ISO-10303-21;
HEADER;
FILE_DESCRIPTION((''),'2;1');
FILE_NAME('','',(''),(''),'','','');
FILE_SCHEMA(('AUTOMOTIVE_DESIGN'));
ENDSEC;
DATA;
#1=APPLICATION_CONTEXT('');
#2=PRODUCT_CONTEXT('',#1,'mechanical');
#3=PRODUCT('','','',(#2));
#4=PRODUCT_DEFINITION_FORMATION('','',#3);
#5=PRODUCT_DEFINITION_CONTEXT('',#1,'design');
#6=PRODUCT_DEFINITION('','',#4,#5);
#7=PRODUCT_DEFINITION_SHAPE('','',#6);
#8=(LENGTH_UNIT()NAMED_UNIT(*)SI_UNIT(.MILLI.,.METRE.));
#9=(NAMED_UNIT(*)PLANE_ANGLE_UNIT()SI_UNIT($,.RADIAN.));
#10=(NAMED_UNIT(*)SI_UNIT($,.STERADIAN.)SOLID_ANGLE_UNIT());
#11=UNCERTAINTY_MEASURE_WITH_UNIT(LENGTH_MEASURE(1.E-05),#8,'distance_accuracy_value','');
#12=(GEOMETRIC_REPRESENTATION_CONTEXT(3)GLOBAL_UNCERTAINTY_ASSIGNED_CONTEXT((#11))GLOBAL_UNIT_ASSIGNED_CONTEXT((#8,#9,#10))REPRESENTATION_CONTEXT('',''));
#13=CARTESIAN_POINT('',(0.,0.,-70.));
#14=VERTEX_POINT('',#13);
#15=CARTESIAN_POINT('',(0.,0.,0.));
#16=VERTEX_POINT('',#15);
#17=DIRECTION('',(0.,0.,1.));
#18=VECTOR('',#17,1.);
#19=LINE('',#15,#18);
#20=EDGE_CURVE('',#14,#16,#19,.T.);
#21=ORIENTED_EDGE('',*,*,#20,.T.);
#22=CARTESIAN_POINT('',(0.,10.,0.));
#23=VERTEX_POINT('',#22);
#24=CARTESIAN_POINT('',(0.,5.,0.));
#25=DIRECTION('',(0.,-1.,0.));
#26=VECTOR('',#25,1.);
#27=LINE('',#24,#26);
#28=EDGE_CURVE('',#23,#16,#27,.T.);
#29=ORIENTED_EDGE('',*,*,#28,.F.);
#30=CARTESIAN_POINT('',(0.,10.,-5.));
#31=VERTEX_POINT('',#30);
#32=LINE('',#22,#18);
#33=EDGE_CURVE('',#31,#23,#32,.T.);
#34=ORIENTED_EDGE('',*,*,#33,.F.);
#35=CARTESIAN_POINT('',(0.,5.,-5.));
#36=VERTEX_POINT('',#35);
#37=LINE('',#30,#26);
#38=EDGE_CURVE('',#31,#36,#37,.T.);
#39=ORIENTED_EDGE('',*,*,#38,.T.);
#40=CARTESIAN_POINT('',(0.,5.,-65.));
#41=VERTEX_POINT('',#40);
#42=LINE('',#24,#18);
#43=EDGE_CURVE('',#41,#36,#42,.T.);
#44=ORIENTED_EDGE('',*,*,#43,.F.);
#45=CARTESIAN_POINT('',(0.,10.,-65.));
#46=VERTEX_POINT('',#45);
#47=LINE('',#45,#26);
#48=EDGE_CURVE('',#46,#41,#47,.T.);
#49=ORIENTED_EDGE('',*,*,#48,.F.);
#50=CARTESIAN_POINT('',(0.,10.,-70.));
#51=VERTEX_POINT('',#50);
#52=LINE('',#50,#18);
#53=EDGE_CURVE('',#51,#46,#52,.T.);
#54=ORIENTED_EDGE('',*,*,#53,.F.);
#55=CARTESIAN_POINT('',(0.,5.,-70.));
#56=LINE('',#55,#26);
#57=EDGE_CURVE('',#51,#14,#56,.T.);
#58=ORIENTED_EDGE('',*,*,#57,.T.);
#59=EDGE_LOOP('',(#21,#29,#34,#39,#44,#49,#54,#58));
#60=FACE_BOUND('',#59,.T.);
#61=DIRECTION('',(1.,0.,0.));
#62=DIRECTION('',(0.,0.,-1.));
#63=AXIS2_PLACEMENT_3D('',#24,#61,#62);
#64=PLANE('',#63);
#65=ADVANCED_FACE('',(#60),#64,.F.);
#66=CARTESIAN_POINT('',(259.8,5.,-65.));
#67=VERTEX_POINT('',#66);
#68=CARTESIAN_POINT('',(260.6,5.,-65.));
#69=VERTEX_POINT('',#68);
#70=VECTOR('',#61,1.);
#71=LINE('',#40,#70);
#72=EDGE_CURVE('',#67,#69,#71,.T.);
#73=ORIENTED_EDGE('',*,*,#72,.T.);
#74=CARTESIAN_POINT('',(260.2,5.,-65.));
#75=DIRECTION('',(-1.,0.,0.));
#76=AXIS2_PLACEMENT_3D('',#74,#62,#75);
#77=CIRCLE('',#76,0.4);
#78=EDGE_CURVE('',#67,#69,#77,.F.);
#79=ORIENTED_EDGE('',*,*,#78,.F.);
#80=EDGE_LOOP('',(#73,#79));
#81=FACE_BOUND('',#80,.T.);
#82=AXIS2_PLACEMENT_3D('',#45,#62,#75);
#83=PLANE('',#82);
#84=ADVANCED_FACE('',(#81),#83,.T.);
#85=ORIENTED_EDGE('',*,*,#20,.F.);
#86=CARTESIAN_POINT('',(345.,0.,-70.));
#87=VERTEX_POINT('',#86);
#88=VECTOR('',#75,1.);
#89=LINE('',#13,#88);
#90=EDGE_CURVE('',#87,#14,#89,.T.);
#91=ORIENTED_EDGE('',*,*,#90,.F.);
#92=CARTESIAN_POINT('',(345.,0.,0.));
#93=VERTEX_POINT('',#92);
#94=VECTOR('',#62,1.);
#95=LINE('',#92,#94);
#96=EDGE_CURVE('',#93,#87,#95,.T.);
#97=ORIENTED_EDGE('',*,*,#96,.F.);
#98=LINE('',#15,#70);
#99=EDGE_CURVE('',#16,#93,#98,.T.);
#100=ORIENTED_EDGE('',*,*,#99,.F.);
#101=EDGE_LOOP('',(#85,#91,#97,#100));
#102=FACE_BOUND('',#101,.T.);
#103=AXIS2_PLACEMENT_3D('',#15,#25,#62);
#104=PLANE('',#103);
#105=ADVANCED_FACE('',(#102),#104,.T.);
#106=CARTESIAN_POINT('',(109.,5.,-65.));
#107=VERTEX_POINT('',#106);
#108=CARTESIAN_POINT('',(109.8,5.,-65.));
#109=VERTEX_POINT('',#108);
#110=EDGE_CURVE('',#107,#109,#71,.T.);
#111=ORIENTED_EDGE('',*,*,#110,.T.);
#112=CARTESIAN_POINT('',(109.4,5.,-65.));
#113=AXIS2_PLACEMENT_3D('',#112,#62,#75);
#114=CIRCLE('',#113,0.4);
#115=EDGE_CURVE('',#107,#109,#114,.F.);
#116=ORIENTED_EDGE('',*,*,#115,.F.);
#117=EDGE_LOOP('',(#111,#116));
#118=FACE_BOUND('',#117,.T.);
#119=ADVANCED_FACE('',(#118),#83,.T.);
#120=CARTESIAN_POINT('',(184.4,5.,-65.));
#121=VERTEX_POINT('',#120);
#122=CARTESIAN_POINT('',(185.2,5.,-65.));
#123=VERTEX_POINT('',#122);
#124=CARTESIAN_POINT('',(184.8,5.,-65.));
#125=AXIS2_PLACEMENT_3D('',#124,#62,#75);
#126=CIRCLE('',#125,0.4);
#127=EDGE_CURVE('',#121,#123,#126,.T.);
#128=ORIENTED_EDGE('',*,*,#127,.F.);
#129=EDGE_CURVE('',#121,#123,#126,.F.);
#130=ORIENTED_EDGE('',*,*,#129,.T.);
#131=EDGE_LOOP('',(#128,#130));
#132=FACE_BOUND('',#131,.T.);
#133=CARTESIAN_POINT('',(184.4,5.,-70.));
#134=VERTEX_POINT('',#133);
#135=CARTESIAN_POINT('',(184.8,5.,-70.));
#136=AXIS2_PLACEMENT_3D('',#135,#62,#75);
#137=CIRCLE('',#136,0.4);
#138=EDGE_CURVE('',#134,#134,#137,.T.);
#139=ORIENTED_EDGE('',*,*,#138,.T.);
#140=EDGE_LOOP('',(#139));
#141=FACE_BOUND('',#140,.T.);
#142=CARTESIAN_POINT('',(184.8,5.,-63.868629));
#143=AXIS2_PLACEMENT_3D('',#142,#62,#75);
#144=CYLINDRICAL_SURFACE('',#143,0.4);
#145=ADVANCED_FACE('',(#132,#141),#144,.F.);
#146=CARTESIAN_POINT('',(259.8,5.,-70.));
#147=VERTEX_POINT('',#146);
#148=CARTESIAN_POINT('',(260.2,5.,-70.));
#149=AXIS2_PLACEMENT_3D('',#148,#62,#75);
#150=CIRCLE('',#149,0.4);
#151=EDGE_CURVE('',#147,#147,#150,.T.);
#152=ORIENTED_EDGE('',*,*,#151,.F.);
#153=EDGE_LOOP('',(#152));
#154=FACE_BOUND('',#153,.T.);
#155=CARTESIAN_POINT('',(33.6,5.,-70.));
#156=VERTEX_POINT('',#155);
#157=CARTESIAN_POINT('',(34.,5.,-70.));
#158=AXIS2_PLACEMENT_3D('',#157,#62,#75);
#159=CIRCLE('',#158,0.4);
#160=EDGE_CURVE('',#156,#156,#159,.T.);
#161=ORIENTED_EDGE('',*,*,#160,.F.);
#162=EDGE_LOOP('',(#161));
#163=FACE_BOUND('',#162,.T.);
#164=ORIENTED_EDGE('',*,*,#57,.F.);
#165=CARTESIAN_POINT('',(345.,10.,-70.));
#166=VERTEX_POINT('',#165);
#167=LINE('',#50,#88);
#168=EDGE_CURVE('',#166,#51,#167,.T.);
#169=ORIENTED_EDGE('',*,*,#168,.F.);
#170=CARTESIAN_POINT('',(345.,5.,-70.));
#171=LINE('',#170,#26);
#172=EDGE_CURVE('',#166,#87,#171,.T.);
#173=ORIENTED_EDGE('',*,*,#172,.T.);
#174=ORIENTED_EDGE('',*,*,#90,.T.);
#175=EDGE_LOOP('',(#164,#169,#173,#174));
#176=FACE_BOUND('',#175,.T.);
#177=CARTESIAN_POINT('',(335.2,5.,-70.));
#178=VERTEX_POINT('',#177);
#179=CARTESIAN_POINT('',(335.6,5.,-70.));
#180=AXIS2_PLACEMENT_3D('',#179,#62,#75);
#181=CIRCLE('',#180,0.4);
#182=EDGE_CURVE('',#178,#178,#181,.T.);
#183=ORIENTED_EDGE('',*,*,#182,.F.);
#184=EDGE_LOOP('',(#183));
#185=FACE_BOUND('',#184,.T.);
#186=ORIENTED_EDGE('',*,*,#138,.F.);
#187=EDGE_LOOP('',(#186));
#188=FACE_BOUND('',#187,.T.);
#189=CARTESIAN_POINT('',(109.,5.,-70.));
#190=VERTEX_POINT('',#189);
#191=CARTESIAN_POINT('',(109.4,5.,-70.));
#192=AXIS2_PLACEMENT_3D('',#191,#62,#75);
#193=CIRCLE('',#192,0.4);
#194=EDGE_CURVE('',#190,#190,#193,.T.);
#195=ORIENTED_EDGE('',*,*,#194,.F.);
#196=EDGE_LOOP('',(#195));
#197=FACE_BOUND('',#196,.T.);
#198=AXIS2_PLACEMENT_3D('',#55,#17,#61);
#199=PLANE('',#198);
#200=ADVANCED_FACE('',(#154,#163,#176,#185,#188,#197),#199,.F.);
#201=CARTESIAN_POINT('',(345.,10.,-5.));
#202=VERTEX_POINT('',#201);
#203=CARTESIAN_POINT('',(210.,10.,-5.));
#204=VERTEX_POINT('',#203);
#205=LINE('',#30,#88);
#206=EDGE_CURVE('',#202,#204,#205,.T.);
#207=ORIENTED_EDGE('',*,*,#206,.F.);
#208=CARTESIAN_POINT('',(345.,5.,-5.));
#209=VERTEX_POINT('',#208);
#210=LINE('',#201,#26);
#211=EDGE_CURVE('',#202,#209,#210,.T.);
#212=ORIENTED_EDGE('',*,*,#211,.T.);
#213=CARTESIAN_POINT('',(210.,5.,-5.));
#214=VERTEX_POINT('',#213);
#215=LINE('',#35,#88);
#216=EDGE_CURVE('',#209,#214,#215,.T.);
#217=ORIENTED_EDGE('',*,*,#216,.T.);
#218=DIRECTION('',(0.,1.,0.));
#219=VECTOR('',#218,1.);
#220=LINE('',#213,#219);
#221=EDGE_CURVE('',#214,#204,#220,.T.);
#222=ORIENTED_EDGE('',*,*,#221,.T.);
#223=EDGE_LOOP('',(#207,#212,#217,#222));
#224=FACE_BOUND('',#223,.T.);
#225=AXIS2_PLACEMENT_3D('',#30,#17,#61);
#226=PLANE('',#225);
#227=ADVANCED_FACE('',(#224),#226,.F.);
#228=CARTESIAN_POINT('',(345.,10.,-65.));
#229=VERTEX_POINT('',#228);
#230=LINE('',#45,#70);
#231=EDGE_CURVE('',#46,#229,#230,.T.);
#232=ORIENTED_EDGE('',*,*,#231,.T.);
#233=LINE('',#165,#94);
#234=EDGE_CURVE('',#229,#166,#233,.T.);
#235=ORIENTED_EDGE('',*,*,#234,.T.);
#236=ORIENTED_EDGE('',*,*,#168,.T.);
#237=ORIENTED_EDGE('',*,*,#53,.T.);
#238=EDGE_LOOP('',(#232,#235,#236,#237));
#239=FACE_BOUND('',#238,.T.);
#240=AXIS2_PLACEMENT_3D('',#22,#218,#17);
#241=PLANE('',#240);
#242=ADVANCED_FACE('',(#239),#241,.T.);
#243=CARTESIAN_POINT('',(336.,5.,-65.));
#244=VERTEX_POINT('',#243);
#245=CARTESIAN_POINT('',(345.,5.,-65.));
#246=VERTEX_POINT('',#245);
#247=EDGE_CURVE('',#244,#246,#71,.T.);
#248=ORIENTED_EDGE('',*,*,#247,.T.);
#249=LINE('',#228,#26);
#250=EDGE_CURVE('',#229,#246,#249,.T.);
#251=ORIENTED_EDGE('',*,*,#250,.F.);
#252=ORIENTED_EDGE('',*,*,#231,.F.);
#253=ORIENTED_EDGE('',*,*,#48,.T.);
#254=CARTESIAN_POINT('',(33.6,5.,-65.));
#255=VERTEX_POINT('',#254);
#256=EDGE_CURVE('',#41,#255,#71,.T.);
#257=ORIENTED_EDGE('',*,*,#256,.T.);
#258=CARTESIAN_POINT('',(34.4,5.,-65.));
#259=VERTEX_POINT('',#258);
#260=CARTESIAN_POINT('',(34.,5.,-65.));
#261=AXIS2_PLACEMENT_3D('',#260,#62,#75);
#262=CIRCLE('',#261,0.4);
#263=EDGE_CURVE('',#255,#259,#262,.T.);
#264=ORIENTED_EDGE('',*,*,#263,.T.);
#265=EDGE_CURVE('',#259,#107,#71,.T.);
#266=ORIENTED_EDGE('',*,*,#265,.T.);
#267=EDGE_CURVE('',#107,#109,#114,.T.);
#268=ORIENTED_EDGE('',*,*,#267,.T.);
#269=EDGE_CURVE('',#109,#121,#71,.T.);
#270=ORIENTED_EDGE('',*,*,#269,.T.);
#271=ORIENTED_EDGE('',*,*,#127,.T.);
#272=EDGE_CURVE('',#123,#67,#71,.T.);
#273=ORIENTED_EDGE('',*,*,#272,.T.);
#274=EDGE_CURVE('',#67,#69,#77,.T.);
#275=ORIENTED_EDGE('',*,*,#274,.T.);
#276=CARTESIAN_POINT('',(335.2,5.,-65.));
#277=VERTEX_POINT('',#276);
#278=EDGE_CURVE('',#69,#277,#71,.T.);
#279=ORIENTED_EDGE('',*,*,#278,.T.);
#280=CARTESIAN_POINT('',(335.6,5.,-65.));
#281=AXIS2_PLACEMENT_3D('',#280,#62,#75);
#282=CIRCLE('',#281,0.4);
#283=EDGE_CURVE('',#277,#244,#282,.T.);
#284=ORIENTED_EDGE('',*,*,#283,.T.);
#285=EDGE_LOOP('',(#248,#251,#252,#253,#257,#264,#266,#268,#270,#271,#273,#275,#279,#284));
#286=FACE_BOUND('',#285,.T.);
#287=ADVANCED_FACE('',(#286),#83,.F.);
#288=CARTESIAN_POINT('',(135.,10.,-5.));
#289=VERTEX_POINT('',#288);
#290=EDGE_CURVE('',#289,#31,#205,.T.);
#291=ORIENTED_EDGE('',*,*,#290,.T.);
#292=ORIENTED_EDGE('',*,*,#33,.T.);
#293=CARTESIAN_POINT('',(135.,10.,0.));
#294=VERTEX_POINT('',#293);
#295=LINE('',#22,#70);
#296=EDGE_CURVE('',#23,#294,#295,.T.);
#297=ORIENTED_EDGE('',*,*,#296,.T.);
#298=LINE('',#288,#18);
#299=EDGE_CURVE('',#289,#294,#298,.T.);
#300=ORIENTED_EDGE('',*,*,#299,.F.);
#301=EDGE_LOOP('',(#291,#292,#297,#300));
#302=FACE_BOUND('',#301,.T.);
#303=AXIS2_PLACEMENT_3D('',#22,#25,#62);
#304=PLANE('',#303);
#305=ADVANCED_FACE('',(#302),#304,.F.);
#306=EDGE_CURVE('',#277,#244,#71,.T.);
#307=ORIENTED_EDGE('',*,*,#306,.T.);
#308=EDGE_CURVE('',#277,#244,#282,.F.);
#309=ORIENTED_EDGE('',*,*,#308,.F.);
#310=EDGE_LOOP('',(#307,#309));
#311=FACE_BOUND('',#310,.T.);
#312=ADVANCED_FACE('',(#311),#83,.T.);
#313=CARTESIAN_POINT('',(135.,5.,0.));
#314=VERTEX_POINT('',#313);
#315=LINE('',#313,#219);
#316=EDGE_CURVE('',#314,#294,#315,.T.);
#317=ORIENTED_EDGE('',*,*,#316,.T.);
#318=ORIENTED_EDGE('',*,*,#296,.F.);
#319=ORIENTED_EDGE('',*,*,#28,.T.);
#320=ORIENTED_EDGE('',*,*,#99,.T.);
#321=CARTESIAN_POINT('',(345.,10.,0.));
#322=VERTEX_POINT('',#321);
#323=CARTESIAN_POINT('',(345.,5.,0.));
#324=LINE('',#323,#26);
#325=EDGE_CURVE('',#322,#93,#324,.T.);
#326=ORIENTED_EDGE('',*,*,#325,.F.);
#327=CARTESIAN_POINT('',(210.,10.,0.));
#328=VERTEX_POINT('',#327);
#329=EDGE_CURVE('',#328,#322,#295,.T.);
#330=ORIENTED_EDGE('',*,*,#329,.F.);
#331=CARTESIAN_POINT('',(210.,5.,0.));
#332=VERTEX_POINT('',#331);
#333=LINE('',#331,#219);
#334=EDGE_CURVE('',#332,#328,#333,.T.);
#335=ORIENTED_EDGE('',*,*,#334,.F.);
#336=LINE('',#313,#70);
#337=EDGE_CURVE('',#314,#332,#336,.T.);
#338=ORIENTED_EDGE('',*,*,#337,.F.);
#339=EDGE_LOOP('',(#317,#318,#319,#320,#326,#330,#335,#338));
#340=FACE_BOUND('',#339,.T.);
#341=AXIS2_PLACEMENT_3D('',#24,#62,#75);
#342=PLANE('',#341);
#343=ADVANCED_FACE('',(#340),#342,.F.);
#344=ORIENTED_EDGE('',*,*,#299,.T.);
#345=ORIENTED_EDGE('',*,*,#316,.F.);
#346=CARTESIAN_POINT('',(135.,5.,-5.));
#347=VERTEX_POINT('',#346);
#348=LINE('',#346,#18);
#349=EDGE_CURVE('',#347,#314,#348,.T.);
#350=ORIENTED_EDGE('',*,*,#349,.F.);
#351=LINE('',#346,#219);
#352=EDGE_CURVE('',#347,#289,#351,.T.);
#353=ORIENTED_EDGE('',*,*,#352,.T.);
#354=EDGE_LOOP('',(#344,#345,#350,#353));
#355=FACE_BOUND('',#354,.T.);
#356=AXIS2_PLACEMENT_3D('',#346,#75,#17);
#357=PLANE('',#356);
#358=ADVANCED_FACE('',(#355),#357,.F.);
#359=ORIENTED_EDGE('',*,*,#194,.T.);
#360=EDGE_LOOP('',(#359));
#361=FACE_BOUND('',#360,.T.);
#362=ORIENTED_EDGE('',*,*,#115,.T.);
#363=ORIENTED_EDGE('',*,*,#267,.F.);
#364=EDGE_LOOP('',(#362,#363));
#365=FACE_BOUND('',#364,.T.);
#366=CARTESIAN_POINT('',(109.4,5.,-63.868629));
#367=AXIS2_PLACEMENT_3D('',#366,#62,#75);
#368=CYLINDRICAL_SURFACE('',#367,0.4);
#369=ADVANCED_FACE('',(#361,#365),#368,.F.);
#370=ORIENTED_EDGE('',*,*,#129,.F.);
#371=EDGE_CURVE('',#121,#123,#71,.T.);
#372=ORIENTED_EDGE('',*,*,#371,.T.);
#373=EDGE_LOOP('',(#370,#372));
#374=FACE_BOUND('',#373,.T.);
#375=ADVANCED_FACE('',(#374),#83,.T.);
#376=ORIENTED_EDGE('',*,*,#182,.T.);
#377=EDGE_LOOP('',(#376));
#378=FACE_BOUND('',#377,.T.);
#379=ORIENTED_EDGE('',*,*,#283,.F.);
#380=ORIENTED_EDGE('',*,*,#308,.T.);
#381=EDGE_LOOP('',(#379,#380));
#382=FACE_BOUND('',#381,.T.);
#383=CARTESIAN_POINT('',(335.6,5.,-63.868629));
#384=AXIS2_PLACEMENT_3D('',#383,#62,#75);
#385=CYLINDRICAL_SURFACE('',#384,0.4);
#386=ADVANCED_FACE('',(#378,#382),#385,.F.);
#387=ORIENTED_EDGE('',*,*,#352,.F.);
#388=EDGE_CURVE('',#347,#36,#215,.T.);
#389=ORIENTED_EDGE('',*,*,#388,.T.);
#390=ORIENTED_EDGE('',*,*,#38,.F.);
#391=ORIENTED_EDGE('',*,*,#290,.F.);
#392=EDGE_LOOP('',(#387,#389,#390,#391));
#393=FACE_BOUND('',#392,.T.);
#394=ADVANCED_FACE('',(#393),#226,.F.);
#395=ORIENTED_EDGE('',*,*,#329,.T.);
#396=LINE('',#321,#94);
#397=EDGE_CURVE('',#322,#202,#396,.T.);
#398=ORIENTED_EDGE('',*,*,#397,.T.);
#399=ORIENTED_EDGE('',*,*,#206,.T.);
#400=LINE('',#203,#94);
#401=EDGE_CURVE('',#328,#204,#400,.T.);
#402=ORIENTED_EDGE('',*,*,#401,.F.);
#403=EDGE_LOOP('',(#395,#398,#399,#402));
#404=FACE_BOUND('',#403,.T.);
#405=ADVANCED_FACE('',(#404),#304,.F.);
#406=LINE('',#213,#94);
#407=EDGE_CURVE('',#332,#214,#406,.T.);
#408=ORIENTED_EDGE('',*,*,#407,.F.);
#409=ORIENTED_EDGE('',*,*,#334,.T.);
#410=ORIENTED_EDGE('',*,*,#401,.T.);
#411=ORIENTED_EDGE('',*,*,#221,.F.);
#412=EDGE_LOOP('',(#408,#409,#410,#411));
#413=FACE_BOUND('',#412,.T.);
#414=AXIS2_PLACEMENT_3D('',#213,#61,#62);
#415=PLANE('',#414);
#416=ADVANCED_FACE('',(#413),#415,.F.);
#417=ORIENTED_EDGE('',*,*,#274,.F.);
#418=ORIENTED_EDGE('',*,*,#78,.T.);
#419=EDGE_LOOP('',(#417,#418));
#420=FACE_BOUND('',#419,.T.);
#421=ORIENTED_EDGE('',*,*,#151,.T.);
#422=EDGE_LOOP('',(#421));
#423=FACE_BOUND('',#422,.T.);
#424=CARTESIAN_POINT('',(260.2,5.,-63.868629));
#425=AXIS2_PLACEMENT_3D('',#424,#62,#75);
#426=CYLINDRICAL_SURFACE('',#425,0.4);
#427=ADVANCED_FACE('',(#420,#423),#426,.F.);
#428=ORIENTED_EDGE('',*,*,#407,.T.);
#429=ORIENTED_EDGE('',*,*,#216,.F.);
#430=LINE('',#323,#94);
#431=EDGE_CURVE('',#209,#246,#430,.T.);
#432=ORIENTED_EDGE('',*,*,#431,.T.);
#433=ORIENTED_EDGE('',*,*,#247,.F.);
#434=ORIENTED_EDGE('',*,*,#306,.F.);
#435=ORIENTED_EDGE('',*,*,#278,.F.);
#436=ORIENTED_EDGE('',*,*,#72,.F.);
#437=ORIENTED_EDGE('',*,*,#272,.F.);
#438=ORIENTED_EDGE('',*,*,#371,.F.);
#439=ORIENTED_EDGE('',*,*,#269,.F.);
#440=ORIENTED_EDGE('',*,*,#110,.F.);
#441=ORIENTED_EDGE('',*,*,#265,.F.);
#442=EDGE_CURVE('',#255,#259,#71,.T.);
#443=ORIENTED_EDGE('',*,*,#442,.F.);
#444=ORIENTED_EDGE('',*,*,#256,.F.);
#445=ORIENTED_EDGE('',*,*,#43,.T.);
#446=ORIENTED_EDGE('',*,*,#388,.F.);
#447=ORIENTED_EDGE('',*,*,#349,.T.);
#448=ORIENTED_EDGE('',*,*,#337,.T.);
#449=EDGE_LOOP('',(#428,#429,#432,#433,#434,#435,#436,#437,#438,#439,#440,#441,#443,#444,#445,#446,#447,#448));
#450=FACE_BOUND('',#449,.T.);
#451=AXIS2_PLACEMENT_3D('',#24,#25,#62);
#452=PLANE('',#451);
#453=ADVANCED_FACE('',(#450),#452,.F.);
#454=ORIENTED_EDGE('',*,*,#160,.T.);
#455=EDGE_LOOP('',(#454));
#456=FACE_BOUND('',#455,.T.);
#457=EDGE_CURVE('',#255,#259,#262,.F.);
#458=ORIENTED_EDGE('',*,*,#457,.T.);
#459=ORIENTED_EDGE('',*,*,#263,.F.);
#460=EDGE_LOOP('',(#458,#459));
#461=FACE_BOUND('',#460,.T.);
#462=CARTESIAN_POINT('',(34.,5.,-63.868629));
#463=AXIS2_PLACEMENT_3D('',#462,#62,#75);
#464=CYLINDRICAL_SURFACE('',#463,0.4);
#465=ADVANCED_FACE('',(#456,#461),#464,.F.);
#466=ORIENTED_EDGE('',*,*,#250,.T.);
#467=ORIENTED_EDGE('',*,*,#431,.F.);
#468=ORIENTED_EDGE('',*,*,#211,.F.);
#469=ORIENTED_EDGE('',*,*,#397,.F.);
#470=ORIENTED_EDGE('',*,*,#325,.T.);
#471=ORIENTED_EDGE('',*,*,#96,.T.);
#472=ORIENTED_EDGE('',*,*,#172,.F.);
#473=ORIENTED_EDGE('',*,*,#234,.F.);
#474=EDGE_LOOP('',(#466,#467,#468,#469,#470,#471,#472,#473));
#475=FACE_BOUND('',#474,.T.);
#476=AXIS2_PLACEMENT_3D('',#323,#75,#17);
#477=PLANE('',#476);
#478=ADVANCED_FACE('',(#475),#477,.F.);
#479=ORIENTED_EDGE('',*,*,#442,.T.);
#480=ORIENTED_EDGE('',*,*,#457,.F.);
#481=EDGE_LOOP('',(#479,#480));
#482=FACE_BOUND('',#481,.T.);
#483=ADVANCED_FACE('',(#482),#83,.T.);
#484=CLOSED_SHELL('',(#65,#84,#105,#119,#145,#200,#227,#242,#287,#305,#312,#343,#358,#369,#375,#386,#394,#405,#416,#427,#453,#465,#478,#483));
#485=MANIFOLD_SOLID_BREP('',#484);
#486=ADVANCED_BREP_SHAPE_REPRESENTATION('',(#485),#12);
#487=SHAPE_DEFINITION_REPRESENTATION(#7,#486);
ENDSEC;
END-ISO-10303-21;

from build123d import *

# Parameters (mm, degrees)
SKETCH1_W           = 345
SKETCH1_H           = 70
BOSS_EXTRUDE1_DEPTH = 5
SKETCH2_W           = 345
SKETCH2_H           = 5
BOSS_EXTRUDE2_DEPTH = 5
SKETCH3_W           = 75
SKETCH3_H           = 5
CUT_EXTRUDE1_DEPTH  = 5
SKETCH4_R           = 0.4
CUT_EXTRUDE2_DEPTH  = 5


with BuildPart() as part:
    # Sketch1 → Boss-Extrude1 (new body)
    with BuildSketch(Plane(origin=(0, 0, 0), x_dir=(1, 0, 0), z_dir=(0, 1, 0))):
        with Locations((172.5, 35)):
            Rectangle(SKETCH1_W, SKETCH1_H)
    extrude(amount=BOSS_EXTRUDE1_DEPTH)

    # Sketch2 → Boss-Extrude2 (add)
    with BuildSketch(Plane(origin=(0, 5, 0), x_dir=(1, 0, 0), z_dir=(0, 1, 0))):
        with Locations((172.5, 67.5)):
            Rectangle(SKETCH2_W, SKETCH2_H)
        with Locations((172.5, 2.5)):
            Rectangle(SKETCH2_W, SKETCH2_H)
    extrude(amount=BOSS_EXTRUDE2_DEPTH)

    # Sketch3 → Cut-Extrude1 (cut)
    with BuildSketch(Plane(origin=(0, 10, 0), x_dir=(1, 0, 0), z_dir=(0, 1, 0))):
        with Locations((172.5, 2.5)):
            Rectangle(SKETCH3_W, SKETCH3_H)
    extrude(amount=-CUT_EXTRUDE1_DEPTH, mode=Mode.SUBTRACT)

    # Sketch4 → Cut-Extrude2 (cut)
    with BuildSketch(Plane(origin=(0, 0, -70), x_dir=(-1, 0, 0), z_dir=(0, 0, -1))):
        with Locations((-335.6, 5)):
            Circle(SKETCH4_R)
        with Locations((-260.2, 5)):
            Circle(SKETCH4_R)
        with Locations((-184.8, 5)):
            Circle(SKETCH4_R)
        with Locations((-109.4, 5)):
            Circle(SKETCH4_R)
        with Locations((-34, 5)):
            Circle(SKETCH4_R)
    extrude(amount=-CUT_EXTRUDE2_DEPTH, mode=Mode.SUBTRACT)


solid = part.part
